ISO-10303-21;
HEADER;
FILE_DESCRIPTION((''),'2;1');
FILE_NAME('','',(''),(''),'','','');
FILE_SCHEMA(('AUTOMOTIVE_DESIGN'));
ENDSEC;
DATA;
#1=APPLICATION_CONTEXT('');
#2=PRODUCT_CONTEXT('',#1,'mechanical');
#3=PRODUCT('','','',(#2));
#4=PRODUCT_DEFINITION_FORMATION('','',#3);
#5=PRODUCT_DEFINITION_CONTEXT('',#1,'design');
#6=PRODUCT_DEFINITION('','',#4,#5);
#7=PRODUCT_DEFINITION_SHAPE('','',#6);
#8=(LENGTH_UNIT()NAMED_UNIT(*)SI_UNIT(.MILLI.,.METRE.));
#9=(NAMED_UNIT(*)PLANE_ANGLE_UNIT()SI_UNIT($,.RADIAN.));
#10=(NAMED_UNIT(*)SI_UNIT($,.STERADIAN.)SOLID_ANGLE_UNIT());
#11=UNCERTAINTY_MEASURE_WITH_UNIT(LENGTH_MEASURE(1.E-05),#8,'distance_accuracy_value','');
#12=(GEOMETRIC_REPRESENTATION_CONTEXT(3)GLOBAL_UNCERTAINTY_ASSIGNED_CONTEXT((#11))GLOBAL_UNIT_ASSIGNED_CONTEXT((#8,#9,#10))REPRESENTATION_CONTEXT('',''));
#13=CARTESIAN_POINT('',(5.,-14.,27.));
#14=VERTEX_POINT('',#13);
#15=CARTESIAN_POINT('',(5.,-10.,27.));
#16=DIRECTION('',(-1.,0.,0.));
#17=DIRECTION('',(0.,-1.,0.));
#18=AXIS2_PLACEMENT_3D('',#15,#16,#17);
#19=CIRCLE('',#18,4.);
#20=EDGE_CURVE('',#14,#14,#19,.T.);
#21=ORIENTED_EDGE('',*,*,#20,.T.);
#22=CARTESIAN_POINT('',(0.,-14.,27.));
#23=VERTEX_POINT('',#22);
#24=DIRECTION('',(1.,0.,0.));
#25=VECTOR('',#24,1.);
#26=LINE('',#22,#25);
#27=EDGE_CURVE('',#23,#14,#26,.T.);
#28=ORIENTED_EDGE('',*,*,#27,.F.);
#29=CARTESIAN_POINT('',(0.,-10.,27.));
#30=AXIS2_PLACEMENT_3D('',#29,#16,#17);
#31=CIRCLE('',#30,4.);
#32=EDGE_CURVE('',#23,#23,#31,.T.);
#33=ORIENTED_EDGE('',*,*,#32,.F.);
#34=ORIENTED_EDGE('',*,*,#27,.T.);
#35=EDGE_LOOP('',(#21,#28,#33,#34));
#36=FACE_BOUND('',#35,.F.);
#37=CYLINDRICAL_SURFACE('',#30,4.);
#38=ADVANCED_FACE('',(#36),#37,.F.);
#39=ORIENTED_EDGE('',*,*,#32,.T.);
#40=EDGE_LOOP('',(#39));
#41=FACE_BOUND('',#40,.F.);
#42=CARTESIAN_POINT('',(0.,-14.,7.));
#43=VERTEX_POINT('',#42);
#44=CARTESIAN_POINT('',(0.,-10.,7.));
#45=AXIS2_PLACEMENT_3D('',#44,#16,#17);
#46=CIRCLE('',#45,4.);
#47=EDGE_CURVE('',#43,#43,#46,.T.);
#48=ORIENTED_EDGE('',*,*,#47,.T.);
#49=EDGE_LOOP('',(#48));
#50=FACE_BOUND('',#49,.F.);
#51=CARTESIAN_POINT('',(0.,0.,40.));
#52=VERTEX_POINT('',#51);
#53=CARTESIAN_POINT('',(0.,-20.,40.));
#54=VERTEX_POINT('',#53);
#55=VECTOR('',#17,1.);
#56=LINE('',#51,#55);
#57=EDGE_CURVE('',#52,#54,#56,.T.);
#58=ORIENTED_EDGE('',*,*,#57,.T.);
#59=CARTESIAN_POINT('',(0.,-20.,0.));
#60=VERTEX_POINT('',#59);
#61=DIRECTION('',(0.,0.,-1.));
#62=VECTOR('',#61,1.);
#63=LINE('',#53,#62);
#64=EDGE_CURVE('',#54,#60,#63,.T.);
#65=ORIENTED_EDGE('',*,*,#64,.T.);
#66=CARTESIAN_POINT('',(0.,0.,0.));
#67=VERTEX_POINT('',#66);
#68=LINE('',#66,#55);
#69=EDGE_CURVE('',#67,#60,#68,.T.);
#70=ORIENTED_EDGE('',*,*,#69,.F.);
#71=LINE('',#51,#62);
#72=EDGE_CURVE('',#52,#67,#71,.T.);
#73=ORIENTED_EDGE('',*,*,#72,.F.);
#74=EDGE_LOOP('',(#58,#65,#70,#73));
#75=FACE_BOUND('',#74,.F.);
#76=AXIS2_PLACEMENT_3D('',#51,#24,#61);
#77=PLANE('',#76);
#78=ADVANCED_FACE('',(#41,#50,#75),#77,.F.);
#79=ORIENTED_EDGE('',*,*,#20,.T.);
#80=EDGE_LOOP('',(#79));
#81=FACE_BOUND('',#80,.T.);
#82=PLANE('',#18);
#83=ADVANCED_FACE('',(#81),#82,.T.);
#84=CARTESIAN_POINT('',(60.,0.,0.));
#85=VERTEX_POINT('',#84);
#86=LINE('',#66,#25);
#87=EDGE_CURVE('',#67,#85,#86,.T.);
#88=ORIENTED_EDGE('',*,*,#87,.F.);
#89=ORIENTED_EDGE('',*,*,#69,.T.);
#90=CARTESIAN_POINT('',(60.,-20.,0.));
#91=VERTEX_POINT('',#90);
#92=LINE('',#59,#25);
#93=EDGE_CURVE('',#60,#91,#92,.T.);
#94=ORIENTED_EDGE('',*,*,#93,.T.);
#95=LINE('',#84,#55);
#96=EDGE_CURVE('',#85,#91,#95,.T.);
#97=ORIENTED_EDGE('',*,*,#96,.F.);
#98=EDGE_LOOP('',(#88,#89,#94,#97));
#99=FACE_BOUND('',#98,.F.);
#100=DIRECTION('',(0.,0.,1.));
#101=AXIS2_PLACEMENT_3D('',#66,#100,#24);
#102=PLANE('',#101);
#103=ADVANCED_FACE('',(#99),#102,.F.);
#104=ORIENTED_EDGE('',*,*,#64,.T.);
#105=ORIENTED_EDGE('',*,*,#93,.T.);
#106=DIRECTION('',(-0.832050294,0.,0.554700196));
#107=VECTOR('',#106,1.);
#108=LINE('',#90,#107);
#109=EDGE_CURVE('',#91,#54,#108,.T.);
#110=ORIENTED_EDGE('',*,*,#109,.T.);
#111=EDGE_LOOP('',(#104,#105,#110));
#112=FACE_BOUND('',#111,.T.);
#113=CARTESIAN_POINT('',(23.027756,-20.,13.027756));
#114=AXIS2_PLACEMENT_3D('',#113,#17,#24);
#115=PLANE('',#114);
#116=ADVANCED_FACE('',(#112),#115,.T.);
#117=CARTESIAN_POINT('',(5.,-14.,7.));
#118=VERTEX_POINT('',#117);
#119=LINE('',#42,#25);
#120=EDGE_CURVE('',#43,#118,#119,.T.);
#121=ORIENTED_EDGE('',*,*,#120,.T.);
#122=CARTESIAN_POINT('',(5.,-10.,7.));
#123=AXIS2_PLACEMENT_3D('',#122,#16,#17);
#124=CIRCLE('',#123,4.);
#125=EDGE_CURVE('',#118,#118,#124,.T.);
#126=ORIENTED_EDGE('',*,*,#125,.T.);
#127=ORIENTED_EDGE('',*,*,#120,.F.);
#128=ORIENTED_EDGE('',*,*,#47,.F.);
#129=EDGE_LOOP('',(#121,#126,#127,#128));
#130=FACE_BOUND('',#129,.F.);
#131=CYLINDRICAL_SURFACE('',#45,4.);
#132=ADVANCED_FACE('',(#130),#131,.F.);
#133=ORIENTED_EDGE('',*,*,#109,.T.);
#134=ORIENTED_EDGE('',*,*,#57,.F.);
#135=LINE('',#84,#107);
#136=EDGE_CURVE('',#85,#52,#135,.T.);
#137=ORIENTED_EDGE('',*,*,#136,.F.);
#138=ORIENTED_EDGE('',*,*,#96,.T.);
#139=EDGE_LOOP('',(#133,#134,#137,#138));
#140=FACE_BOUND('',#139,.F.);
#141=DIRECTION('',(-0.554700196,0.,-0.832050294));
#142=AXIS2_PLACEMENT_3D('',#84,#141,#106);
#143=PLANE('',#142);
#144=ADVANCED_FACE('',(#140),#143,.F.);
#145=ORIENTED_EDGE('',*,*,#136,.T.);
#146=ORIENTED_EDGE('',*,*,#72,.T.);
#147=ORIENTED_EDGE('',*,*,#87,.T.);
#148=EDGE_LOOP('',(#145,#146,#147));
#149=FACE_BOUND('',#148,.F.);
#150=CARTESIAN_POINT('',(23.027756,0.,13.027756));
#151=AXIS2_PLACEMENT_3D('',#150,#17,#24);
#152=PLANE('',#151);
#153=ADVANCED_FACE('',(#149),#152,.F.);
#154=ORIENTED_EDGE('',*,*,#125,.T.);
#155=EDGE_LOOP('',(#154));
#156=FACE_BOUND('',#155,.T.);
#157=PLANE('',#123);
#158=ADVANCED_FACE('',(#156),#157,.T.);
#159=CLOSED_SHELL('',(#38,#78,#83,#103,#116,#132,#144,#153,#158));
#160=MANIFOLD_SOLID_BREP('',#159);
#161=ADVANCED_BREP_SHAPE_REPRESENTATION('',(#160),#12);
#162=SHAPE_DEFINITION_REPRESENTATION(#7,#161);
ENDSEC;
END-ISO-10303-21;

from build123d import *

# Parameters (mm, degrees)
F1_DEPTH = 20
F2_R     = 4
F3_DEPTH = 5


with BuildPart() as f1:
    # F0 (on Front) → F1 (new body)
    with BuildSketch(Plane.XZ):
        Polygon((0, 40), (0, 0), (60, 0), align=None)
    extrude(amount=F1_DEPTH)

    # F2 (on face) → F3 (cut)
    with BuildSketch(Plane(origin=(0, 0, 0), x_dir=(0, -1, 0), z_dir=(-1, 0, 0))):
        with Locations((10, 7)):
            Circle(F2_R)
        with Locations((10, 27)):
            Circle(F2_R)
    extrude(amount=-F3_DEPTH, mode=Mode.SUBTRACT)


solid = f1.part
